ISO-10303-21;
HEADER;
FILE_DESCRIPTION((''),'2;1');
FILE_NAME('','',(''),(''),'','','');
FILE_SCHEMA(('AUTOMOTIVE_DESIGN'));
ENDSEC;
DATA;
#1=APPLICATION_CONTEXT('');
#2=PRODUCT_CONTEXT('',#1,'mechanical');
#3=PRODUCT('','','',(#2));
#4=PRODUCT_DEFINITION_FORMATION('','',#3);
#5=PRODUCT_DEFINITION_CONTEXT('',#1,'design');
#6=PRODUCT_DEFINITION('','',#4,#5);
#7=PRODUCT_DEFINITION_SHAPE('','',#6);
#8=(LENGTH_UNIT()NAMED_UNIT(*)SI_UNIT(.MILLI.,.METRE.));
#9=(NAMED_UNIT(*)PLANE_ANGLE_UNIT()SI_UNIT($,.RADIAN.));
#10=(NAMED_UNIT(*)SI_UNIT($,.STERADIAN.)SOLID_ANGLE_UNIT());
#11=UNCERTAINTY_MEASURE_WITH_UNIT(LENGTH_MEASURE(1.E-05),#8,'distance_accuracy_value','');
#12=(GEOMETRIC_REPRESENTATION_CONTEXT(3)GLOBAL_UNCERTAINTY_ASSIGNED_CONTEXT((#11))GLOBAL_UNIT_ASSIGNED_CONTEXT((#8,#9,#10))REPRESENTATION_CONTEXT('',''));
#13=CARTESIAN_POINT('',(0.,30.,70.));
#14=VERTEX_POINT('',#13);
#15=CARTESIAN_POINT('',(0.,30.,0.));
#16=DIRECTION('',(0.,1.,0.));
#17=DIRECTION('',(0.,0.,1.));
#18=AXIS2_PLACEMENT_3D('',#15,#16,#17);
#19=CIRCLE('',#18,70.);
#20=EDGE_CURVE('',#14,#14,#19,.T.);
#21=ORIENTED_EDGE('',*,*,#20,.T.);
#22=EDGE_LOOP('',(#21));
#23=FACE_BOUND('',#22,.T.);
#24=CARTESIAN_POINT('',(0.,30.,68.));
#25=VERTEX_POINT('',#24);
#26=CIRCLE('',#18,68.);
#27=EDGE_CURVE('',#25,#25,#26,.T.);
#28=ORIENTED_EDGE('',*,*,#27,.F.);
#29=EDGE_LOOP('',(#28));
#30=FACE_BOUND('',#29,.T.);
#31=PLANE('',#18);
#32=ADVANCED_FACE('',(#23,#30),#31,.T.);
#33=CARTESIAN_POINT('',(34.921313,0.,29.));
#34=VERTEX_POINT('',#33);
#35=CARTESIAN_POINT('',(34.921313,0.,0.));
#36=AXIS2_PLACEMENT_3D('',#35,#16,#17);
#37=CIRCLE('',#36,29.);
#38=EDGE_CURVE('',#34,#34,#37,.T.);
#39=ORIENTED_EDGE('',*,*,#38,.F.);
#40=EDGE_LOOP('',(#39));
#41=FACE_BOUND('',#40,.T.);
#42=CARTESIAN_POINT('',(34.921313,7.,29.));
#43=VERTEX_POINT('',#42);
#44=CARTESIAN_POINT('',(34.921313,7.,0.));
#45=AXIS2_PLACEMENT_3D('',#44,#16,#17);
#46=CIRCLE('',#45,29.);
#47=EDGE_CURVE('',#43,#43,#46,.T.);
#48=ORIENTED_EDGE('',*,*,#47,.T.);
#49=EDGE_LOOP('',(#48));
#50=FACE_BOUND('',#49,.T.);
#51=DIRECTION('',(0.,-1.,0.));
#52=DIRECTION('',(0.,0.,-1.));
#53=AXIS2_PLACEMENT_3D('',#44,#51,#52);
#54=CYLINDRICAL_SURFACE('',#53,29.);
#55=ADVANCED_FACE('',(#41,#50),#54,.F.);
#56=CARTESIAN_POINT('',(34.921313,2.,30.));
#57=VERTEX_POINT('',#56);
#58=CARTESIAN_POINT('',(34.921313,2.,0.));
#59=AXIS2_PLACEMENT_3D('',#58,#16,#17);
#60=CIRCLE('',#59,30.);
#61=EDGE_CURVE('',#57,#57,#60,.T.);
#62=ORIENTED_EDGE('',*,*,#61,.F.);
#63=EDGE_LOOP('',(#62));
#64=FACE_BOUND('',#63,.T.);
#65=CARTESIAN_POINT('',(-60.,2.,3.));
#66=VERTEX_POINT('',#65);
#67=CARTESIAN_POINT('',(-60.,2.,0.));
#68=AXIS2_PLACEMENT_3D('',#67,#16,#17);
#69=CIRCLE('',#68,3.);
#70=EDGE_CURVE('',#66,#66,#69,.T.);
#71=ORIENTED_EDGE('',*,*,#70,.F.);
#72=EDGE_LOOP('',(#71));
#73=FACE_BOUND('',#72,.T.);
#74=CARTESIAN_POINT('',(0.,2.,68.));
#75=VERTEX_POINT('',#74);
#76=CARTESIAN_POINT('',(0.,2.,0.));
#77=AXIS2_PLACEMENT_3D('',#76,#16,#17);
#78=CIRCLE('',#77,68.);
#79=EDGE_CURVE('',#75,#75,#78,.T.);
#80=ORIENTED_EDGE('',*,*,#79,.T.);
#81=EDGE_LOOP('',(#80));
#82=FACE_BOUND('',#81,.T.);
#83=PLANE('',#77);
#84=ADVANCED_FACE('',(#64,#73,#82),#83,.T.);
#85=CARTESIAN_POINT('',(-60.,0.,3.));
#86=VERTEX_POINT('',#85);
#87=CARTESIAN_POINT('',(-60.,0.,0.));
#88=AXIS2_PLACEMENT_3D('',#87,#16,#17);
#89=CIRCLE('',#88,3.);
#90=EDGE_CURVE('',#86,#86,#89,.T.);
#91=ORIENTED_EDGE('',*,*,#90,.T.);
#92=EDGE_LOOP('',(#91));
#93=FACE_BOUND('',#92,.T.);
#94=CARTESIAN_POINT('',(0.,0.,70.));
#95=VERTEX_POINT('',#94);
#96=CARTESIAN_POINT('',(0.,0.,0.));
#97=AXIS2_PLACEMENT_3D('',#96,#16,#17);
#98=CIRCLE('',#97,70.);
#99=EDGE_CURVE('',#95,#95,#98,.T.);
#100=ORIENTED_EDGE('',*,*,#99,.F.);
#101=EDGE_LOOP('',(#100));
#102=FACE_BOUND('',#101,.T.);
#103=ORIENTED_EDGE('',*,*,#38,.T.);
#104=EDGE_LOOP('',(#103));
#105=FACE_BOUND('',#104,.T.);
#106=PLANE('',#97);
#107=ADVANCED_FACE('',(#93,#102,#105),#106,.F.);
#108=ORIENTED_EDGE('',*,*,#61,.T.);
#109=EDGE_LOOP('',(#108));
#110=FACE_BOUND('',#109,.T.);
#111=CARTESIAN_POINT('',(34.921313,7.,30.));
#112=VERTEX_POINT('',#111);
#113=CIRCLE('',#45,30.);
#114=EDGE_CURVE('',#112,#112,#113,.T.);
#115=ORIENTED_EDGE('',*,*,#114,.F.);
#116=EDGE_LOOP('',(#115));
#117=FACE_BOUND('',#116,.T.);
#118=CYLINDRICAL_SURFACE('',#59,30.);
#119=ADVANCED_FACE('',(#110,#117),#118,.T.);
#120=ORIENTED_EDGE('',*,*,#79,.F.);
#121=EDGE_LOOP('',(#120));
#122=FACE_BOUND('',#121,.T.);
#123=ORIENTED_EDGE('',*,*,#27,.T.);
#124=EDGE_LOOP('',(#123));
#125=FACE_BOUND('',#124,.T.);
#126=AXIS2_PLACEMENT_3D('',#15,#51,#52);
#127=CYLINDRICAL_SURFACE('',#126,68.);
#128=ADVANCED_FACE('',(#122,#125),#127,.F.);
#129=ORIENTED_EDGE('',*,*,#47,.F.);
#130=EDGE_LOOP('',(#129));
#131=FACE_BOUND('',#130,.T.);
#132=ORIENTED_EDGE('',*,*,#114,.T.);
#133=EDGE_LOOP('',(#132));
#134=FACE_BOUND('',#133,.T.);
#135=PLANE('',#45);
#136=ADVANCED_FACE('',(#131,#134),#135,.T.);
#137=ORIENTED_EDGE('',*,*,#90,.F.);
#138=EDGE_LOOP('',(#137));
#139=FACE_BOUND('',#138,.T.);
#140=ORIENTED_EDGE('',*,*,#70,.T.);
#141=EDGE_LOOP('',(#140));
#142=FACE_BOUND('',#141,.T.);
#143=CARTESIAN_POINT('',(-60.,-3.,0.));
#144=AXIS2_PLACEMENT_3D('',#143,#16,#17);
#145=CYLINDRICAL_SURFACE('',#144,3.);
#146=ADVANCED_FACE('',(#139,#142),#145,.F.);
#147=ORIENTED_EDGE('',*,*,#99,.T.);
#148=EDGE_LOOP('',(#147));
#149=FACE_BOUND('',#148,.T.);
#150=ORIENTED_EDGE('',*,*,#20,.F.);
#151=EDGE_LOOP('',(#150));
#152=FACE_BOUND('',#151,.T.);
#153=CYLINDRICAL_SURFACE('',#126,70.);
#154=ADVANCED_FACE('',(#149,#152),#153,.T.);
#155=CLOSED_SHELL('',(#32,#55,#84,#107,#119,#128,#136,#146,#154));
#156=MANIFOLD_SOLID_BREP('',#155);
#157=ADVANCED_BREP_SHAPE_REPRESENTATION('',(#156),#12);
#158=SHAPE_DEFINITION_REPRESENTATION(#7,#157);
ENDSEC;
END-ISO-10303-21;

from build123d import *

# Parameters (mm, degrees)
SKETCH1_R           = 70
BOSS_EXTRUDE1_DEPTH = 30
SHELL1_T            = -2
SKETCH2_R           = 33
SKETCH2_R_2         = 29
EXTRUDE_THIN1_DEPTH = 5
SKETCH3_R           = 33
SKETCH3_R_2         = 30
CUT_EXTRUDE1_DEPTH  = 5
SKETCH4_R           = 29
CUT_EXTRUDE2_DEPTH  = 2
SKETCH5_R           = 3
CUT_EXTRUDE3_DEPTH  = 5


with BuildPart() as part:
    # Sketch1 → Boss-Extrude1 (new body)
    with BuildSketch(Plane(origin=(0, 0, 0), x_dir=(1, 0, 0), z_dir=(0, 1, 0))):
        with Locations(Location((0, 0, 0), (0, 0, 270))):
            Circle(SKETCH1_R)
    extrude(amount=BOSS_EXTRUDE1_DEPTH)

    # Shell1
    shell1_openings = [part.faces().sort_by_distance(p)[0] for p in [
        (0, 30, 0),
    ]]
    offset(amount=SHELL1_T, openings=shell1_openings, kind=Kind.INTERSECTION)

    # Sketch2 → Extrude-Thin1 (add)
    with BuildSketch(Plane(origin=(0, 2, 0), x_dir=(1, 0, 0), z_dir=(0, 1, 0))):
        with Locations((34.921312676, 0)):
            Circle(SKETCH2_R)
        with Locations((34.921312676, 0)):
            Circle(SKETCH2_R_2, mode=Mode.SUBTRACT)
    extrude(amount=EXTRUDE_THIN1_DEPTH)

    # Sketch3 → Cut-Extrude1 (cut)
    with BuildSketch(Plane(origin=(0, 7, 0), x_dir=(1, 0, 0), z_dir=(0, 1, 0))):
        with Locations((34.921312676, 0)):
            Circle(SKETCH3_R)
        with Locations(Location((34.921312676, 0, 0), (0, 0, 270))):
            Circle(SKETCH3_R_2, mode=Mode.SUBTRACT)
    extrude(amount=-CUT_EXTRUDE1_DEPTH, mode=Mode.SUBTRACT)

    # Sketch4 → Cut-Extrude2 (cut)
    with BuildSketch(Plane(origin=(0, 2, 0), x_dir=(1, 0, 0), z_dir=(0, 1, 0))):
        with Locations(Location((34.921312676, 0, 0), (0, 0, 270))):
            Circle(SKETCH4_R)
    extrude(amount=-CUT_EXTRUDE2_DEPTH, mode=Mode.SUBTRACT)

    # Sketch5 → Cut-Extrude3 (cut, symmetric)
    with BuildSketch(Plane(origin=(0, 2, 0), x_dir=(1, 0, 0), z_dir=(0, 1, 0))):
        with Locations(Location((-60, 0, 0), (0, 0, 270))):
            Circle(SKETCH5_R)
    extrude(amount=CUT_EXTRUDE3_DEPTH, both=True, mode=Mode.SUBTRACT)


solid = part.part
